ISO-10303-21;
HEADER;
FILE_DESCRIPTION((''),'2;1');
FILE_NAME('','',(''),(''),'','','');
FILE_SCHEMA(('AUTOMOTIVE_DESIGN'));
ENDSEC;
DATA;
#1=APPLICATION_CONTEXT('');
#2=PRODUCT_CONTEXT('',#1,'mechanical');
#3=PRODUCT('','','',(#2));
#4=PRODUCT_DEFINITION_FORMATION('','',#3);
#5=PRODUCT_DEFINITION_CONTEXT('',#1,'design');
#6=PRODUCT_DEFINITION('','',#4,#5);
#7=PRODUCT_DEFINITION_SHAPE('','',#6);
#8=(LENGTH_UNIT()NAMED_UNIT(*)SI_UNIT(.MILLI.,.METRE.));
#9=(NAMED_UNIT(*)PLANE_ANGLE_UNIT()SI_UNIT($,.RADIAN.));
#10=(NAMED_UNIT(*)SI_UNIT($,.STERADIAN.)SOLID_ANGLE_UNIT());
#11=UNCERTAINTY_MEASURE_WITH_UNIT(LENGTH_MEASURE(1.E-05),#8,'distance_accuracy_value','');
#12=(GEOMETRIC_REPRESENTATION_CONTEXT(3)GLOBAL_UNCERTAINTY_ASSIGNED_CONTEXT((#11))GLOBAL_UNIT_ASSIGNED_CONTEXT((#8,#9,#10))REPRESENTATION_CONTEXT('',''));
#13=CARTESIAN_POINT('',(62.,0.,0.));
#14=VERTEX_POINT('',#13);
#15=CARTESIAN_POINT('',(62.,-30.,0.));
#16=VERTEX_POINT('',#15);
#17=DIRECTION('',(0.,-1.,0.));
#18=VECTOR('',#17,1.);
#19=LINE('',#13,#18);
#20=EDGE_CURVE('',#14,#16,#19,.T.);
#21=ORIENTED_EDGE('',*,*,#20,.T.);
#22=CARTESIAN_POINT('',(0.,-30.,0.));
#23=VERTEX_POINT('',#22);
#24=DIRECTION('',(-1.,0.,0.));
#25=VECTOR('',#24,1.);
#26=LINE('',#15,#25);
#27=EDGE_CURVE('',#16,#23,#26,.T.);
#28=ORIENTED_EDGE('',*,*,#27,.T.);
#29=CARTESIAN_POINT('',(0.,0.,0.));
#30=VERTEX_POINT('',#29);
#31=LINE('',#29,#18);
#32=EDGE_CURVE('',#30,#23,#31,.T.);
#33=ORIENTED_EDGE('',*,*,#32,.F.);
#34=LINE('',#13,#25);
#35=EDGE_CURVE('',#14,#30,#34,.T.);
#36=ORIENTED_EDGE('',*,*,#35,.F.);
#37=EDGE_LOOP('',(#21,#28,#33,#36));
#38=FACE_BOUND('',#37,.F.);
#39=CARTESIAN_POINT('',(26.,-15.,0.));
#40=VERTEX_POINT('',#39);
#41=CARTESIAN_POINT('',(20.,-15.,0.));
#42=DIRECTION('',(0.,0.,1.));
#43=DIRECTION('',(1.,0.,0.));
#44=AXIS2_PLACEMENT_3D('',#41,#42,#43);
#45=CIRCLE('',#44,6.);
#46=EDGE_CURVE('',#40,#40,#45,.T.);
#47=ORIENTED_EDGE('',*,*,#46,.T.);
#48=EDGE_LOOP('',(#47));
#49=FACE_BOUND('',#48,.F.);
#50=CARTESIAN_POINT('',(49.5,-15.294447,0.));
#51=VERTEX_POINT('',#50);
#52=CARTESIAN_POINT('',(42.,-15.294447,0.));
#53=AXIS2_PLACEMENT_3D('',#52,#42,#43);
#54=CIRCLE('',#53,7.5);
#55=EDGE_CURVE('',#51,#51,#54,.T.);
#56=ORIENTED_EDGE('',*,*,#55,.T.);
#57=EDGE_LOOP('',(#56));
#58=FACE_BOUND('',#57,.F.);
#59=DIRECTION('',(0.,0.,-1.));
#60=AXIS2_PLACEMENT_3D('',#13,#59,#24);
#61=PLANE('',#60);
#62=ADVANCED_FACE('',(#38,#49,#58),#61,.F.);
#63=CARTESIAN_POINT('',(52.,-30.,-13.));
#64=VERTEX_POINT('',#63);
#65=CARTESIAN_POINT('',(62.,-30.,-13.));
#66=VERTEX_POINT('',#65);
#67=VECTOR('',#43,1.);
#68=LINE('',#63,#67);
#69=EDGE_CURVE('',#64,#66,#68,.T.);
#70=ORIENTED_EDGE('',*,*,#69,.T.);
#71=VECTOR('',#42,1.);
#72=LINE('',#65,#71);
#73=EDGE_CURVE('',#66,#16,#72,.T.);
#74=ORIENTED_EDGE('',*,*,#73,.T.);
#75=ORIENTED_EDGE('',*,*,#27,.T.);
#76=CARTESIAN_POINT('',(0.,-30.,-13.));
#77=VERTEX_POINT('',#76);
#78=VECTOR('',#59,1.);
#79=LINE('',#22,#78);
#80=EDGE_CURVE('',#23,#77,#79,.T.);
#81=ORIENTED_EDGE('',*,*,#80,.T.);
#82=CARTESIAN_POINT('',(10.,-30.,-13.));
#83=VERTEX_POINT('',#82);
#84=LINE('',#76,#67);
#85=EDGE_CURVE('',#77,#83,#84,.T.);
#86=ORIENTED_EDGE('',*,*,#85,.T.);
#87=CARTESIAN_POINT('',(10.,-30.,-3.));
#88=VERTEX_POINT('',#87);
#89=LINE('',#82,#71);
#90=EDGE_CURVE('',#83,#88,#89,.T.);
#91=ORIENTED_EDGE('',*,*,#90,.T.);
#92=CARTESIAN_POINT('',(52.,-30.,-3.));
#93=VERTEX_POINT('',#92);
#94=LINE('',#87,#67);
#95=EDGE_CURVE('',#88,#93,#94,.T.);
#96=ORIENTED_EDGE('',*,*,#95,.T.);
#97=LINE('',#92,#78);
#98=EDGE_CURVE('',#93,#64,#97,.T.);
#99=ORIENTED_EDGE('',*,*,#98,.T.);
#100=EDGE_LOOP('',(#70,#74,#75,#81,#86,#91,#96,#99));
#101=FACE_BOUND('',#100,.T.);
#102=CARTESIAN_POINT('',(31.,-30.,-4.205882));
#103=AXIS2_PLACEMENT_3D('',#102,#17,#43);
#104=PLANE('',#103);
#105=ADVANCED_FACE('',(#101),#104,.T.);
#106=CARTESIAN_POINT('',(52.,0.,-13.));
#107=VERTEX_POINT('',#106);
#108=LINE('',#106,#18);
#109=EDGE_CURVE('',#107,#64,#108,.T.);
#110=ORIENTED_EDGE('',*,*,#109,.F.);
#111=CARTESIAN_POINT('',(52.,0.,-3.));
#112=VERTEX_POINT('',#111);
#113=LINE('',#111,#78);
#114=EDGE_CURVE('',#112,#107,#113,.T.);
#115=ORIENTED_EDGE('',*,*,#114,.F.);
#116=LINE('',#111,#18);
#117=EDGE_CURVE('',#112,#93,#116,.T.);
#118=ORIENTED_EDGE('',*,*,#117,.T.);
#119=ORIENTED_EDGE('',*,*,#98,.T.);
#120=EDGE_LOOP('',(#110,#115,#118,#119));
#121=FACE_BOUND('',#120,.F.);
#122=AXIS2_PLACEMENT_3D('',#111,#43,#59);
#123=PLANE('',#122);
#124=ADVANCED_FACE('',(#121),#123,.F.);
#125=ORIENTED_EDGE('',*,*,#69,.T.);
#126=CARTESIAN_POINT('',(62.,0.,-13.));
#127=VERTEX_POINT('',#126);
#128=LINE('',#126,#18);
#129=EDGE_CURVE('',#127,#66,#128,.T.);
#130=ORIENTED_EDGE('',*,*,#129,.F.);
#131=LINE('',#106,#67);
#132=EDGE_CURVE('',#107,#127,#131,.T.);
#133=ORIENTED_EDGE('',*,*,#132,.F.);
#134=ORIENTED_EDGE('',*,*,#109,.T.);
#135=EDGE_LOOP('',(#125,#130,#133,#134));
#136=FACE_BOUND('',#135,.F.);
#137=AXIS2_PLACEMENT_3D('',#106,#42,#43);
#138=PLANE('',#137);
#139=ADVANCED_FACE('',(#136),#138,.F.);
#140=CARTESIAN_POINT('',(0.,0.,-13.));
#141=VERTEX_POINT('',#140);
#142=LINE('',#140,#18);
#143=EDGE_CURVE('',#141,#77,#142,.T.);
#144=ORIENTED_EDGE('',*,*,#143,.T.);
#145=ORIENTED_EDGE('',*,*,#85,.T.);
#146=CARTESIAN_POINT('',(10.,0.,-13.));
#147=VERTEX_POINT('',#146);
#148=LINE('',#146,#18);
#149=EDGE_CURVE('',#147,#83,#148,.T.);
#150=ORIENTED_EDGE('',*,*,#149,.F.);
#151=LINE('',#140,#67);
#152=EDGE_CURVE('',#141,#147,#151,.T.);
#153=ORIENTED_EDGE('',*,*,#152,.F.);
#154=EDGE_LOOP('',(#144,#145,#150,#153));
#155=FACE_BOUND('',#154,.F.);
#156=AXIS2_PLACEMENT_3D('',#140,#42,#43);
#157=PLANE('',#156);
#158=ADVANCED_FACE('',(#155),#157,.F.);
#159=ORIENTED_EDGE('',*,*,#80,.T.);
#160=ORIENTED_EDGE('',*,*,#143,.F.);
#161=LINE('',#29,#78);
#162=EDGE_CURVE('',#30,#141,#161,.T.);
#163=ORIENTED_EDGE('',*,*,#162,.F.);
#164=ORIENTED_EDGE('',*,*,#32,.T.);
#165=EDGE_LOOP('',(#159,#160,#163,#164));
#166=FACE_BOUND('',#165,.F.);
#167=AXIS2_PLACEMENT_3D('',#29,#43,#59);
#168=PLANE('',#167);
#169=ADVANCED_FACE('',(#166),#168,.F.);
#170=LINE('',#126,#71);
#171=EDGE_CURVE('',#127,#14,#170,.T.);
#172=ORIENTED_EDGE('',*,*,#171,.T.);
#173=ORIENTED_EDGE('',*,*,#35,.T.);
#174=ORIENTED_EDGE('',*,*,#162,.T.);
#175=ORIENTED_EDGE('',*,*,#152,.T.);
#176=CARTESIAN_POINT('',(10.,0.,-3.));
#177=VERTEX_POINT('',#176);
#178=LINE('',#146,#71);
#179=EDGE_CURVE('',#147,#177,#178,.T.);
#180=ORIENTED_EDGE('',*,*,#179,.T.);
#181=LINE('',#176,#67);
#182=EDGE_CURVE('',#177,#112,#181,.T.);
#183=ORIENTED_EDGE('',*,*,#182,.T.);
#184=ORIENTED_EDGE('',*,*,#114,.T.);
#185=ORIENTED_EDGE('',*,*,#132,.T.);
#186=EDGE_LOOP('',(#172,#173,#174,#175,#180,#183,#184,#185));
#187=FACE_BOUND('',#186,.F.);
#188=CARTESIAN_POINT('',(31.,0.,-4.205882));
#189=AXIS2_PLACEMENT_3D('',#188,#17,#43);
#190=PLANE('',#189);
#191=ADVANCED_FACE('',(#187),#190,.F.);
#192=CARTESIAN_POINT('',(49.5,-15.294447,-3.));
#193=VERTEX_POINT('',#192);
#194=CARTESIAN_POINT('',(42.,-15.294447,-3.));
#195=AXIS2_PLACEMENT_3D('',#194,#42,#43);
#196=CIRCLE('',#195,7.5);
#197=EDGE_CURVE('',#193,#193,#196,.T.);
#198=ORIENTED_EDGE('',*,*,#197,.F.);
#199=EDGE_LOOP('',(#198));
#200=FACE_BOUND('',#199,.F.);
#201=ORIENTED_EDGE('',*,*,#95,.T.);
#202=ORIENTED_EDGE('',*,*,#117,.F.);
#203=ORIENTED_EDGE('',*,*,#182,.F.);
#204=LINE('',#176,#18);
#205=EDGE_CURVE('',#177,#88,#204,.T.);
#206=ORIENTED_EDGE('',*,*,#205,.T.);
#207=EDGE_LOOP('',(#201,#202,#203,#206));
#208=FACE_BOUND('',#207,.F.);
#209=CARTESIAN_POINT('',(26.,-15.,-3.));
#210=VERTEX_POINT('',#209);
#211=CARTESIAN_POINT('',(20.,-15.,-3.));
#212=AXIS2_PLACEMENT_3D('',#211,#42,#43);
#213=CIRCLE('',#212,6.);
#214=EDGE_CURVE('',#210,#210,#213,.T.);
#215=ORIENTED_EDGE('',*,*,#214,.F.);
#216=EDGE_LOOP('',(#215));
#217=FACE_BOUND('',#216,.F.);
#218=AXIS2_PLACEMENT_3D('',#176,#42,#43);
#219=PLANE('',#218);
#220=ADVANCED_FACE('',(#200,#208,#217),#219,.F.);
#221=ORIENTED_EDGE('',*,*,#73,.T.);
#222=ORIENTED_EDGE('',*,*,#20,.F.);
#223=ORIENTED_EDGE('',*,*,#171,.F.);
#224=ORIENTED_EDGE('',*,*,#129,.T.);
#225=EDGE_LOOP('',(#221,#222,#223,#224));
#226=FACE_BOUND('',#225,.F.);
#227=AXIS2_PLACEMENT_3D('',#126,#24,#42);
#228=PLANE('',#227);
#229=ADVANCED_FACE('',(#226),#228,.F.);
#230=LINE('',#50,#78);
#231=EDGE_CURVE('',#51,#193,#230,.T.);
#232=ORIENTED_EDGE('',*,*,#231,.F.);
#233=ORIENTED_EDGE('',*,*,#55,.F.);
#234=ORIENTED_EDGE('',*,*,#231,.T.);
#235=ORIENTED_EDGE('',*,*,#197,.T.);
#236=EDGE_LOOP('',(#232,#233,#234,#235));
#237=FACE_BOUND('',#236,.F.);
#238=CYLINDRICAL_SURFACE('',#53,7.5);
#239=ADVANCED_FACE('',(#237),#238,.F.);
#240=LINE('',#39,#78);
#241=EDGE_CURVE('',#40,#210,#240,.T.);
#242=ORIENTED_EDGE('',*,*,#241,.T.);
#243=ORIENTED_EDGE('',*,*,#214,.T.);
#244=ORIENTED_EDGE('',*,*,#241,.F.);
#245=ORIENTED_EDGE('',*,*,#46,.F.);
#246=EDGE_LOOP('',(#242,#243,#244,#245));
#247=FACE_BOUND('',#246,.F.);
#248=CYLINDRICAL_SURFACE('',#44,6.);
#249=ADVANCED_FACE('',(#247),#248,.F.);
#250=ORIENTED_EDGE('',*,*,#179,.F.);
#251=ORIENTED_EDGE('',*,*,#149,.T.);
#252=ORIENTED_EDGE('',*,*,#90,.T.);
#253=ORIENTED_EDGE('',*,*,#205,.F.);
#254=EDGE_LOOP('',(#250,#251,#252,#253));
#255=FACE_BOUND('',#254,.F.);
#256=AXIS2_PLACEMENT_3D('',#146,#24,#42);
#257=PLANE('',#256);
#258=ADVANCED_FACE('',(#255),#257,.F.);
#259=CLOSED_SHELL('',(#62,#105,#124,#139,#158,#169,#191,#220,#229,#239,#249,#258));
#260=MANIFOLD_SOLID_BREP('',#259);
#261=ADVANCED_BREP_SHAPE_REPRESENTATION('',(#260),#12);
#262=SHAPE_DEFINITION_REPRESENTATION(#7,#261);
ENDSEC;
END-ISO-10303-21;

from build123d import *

# Parameters (mm, degrees)
F1_DEPTH = 30
F3_R     = 6
F3_R_2   = 7.5
F4_DEPTH = 13.001


with BuildPart() as f1:
    # F0 (on Front) → F1 (new body)
    with BuildSketch(Plane.XZ):
        Polygon((62, 0), (0, 0), (0, -13), (10, -13), (10, -3), (52, -3), (52, -13), (62, -13), align=None)
    extrude(amount=F1_DEPTH)

    # F3 (on face) → F4 (cut, through all)
    with BuildSketch(Plane.XY):
        with Locations((20, -15)):
            Circle(F3_R)
        with Locations((42, -15.294447)):
            Circle(F3_R_2)
    extrude(amount=-F4_DEPTH, mode=Mode.SUBTRACT)


solid = f1.part
